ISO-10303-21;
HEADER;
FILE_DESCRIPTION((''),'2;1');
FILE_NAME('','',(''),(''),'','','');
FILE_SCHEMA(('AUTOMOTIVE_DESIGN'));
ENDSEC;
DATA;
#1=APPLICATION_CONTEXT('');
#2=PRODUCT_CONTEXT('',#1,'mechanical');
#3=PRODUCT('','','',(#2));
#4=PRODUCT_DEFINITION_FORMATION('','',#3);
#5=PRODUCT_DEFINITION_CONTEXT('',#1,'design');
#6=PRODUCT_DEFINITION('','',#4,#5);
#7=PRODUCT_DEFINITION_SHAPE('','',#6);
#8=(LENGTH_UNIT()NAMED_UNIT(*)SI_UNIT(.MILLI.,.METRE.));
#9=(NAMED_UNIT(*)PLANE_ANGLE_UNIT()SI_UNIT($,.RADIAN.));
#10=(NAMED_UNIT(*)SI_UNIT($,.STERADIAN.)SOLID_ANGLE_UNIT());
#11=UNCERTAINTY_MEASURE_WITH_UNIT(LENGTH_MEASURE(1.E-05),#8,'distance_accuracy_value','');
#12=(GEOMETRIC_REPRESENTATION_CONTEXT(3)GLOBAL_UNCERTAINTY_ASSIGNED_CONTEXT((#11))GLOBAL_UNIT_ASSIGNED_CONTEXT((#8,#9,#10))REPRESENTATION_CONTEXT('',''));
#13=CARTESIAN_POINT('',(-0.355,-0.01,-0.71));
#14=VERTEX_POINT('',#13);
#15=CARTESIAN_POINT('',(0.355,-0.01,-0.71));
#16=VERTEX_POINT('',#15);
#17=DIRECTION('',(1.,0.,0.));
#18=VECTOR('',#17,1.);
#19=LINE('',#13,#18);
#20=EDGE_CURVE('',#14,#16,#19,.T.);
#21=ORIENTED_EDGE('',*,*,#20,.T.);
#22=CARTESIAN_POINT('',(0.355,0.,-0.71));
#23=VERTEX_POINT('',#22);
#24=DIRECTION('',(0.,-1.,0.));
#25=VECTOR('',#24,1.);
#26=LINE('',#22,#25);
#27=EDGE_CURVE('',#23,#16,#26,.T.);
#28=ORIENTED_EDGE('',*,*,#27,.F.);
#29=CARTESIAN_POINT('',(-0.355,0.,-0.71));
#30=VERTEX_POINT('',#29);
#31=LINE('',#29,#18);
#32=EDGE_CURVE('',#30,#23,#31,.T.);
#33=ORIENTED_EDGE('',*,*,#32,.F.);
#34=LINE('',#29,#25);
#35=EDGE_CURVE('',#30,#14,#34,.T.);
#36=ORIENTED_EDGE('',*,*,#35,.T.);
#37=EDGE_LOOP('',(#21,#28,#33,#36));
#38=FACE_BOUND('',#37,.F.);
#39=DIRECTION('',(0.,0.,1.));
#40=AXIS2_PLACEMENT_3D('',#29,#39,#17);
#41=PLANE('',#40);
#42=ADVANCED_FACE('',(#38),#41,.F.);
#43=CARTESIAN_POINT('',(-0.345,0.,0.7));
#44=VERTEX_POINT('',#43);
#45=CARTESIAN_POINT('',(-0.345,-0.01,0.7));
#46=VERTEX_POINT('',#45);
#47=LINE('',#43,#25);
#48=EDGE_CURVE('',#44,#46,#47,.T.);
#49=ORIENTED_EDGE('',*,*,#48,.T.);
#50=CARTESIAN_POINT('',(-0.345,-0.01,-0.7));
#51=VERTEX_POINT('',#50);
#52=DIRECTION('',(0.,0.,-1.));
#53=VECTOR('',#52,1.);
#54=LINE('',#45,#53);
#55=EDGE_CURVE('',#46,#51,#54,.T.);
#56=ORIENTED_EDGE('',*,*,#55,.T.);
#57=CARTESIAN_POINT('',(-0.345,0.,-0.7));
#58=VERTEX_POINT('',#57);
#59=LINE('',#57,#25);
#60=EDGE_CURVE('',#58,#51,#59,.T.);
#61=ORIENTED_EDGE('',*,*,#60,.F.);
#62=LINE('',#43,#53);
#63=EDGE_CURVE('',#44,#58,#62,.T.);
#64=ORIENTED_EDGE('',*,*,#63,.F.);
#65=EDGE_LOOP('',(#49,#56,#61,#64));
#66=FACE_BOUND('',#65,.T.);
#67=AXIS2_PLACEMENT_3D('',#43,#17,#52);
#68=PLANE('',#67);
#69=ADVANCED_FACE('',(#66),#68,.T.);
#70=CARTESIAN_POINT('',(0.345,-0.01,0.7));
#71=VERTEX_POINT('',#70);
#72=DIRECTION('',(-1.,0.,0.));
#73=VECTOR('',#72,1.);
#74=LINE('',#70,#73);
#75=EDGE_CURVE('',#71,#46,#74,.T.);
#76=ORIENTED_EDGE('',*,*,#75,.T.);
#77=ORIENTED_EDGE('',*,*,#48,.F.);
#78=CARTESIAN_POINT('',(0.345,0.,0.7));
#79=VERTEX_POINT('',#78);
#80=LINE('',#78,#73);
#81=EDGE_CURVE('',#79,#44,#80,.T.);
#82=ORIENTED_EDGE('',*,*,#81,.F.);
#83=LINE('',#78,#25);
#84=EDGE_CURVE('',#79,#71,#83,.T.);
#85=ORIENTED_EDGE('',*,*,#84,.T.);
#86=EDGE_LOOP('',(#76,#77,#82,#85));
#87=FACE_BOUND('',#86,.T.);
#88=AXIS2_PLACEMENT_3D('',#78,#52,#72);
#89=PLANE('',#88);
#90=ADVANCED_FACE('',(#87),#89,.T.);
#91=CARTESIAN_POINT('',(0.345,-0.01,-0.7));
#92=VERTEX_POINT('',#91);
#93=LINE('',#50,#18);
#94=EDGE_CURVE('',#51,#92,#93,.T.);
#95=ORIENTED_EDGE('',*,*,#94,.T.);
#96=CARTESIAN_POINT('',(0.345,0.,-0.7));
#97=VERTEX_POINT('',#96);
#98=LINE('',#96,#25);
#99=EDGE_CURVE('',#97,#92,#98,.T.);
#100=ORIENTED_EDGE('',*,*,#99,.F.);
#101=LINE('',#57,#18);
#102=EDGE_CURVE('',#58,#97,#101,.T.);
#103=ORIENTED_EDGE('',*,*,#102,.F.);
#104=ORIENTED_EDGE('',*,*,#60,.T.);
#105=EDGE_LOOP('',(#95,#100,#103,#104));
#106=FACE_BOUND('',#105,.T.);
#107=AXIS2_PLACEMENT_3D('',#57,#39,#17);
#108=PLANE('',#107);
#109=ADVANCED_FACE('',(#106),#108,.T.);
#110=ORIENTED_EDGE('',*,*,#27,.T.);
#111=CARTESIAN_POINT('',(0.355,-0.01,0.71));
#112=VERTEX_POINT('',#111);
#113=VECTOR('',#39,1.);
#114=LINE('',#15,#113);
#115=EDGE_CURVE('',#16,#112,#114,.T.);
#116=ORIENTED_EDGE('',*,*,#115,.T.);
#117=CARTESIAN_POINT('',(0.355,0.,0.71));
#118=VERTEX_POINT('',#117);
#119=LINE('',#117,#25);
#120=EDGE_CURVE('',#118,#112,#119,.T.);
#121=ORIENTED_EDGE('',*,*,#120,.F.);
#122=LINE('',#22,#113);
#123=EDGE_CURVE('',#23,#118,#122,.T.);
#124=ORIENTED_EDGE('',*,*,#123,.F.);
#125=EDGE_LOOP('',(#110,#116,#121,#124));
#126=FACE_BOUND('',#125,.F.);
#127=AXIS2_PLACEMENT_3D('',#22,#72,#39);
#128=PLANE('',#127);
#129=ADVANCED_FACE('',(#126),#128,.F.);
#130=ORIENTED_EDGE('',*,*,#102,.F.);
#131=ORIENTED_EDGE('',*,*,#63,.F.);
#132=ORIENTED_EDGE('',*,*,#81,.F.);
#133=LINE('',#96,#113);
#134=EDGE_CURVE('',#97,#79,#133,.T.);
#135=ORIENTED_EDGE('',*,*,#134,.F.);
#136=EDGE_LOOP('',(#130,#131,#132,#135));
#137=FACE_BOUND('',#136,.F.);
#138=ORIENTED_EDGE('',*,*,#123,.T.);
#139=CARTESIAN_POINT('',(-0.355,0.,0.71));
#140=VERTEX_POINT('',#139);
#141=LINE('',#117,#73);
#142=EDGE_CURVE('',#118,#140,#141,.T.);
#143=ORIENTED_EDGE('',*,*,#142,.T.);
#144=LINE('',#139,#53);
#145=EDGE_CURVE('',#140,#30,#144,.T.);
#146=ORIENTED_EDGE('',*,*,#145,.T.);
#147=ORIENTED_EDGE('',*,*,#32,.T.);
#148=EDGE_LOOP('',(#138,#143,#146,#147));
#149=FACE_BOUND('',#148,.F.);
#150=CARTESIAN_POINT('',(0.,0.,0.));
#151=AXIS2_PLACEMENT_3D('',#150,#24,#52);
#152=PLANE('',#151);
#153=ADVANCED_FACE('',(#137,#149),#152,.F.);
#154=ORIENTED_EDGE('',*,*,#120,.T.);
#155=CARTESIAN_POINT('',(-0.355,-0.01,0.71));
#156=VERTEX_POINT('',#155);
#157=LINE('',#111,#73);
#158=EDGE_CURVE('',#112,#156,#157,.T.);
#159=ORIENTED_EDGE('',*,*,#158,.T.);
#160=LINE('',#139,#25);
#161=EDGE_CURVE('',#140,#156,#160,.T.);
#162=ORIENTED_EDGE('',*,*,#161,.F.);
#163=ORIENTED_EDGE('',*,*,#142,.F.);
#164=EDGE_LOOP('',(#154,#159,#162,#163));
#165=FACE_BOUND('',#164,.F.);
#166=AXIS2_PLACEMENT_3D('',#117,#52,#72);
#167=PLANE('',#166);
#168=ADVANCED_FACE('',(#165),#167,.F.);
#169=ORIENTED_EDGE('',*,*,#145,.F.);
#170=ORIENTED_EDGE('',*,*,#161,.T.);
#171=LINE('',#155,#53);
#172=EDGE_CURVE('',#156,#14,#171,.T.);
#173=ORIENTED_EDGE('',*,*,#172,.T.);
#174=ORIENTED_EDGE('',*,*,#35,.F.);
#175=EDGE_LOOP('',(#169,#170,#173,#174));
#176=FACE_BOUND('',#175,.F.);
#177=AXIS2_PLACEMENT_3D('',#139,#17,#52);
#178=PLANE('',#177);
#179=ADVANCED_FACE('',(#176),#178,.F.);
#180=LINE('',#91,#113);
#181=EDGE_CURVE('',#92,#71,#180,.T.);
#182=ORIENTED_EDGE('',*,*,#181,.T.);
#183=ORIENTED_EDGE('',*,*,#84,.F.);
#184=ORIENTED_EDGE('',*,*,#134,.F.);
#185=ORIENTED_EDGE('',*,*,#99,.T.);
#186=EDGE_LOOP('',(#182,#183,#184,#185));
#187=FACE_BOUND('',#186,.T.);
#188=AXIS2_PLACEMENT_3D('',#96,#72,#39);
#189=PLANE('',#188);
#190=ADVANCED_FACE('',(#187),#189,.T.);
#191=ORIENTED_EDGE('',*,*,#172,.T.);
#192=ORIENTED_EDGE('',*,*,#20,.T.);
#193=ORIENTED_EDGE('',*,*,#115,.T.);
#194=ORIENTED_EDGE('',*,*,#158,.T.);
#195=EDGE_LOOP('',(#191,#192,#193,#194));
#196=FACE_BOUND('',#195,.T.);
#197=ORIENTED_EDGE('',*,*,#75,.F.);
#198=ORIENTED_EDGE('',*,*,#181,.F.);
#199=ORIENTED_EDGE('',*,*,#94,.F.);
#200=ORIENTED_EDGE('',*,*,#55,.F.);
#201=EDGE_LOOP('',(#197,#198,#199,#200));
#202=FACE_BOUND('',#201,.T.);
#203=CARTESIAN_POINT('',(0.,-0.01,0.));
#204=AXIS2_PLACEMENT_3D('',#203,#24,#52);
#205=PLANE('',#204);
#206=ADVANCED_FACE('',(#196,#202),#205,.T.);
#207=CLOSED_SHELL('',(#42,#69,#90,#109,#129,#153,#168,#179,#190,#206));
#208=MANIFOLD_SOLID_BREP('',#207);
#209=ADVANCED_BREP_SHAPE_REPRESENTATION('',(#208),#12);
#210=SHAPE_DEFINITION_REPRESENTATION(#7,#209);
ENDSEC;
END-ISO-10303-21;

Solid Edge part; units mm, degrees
sketch "Sketch1" plane through (0, 0, 0) normal (0, -1, 0) x (1, 0, 0)
  line L0 (-0.355, 0.71) -> (-0.355, -0.71)
  line L1 (-0.355, -0.71) -> (0.355, -0.71)
  line L2 (0.355, -0.71) -> (0.355, 0.71)
  line L3 (0.355, 0.71) -> (-0.355, 0.71)
  line L4 (-0.345, -0.7) -> (0.345, -0.7)
  line L5 (0.345, -0.7) -> (0.345, 0.7)
  line L6 (0.345, 0.7) -> (-0.345, 0.7)
  line L7 (-0.345, 0.7) -> (-0.345, -0.7)
  dimension "D1" = 0.345
  dimension "D2" = 0.345
extrude "Protrusion1" add sketch "Sketch1" along normal blind 0.01
